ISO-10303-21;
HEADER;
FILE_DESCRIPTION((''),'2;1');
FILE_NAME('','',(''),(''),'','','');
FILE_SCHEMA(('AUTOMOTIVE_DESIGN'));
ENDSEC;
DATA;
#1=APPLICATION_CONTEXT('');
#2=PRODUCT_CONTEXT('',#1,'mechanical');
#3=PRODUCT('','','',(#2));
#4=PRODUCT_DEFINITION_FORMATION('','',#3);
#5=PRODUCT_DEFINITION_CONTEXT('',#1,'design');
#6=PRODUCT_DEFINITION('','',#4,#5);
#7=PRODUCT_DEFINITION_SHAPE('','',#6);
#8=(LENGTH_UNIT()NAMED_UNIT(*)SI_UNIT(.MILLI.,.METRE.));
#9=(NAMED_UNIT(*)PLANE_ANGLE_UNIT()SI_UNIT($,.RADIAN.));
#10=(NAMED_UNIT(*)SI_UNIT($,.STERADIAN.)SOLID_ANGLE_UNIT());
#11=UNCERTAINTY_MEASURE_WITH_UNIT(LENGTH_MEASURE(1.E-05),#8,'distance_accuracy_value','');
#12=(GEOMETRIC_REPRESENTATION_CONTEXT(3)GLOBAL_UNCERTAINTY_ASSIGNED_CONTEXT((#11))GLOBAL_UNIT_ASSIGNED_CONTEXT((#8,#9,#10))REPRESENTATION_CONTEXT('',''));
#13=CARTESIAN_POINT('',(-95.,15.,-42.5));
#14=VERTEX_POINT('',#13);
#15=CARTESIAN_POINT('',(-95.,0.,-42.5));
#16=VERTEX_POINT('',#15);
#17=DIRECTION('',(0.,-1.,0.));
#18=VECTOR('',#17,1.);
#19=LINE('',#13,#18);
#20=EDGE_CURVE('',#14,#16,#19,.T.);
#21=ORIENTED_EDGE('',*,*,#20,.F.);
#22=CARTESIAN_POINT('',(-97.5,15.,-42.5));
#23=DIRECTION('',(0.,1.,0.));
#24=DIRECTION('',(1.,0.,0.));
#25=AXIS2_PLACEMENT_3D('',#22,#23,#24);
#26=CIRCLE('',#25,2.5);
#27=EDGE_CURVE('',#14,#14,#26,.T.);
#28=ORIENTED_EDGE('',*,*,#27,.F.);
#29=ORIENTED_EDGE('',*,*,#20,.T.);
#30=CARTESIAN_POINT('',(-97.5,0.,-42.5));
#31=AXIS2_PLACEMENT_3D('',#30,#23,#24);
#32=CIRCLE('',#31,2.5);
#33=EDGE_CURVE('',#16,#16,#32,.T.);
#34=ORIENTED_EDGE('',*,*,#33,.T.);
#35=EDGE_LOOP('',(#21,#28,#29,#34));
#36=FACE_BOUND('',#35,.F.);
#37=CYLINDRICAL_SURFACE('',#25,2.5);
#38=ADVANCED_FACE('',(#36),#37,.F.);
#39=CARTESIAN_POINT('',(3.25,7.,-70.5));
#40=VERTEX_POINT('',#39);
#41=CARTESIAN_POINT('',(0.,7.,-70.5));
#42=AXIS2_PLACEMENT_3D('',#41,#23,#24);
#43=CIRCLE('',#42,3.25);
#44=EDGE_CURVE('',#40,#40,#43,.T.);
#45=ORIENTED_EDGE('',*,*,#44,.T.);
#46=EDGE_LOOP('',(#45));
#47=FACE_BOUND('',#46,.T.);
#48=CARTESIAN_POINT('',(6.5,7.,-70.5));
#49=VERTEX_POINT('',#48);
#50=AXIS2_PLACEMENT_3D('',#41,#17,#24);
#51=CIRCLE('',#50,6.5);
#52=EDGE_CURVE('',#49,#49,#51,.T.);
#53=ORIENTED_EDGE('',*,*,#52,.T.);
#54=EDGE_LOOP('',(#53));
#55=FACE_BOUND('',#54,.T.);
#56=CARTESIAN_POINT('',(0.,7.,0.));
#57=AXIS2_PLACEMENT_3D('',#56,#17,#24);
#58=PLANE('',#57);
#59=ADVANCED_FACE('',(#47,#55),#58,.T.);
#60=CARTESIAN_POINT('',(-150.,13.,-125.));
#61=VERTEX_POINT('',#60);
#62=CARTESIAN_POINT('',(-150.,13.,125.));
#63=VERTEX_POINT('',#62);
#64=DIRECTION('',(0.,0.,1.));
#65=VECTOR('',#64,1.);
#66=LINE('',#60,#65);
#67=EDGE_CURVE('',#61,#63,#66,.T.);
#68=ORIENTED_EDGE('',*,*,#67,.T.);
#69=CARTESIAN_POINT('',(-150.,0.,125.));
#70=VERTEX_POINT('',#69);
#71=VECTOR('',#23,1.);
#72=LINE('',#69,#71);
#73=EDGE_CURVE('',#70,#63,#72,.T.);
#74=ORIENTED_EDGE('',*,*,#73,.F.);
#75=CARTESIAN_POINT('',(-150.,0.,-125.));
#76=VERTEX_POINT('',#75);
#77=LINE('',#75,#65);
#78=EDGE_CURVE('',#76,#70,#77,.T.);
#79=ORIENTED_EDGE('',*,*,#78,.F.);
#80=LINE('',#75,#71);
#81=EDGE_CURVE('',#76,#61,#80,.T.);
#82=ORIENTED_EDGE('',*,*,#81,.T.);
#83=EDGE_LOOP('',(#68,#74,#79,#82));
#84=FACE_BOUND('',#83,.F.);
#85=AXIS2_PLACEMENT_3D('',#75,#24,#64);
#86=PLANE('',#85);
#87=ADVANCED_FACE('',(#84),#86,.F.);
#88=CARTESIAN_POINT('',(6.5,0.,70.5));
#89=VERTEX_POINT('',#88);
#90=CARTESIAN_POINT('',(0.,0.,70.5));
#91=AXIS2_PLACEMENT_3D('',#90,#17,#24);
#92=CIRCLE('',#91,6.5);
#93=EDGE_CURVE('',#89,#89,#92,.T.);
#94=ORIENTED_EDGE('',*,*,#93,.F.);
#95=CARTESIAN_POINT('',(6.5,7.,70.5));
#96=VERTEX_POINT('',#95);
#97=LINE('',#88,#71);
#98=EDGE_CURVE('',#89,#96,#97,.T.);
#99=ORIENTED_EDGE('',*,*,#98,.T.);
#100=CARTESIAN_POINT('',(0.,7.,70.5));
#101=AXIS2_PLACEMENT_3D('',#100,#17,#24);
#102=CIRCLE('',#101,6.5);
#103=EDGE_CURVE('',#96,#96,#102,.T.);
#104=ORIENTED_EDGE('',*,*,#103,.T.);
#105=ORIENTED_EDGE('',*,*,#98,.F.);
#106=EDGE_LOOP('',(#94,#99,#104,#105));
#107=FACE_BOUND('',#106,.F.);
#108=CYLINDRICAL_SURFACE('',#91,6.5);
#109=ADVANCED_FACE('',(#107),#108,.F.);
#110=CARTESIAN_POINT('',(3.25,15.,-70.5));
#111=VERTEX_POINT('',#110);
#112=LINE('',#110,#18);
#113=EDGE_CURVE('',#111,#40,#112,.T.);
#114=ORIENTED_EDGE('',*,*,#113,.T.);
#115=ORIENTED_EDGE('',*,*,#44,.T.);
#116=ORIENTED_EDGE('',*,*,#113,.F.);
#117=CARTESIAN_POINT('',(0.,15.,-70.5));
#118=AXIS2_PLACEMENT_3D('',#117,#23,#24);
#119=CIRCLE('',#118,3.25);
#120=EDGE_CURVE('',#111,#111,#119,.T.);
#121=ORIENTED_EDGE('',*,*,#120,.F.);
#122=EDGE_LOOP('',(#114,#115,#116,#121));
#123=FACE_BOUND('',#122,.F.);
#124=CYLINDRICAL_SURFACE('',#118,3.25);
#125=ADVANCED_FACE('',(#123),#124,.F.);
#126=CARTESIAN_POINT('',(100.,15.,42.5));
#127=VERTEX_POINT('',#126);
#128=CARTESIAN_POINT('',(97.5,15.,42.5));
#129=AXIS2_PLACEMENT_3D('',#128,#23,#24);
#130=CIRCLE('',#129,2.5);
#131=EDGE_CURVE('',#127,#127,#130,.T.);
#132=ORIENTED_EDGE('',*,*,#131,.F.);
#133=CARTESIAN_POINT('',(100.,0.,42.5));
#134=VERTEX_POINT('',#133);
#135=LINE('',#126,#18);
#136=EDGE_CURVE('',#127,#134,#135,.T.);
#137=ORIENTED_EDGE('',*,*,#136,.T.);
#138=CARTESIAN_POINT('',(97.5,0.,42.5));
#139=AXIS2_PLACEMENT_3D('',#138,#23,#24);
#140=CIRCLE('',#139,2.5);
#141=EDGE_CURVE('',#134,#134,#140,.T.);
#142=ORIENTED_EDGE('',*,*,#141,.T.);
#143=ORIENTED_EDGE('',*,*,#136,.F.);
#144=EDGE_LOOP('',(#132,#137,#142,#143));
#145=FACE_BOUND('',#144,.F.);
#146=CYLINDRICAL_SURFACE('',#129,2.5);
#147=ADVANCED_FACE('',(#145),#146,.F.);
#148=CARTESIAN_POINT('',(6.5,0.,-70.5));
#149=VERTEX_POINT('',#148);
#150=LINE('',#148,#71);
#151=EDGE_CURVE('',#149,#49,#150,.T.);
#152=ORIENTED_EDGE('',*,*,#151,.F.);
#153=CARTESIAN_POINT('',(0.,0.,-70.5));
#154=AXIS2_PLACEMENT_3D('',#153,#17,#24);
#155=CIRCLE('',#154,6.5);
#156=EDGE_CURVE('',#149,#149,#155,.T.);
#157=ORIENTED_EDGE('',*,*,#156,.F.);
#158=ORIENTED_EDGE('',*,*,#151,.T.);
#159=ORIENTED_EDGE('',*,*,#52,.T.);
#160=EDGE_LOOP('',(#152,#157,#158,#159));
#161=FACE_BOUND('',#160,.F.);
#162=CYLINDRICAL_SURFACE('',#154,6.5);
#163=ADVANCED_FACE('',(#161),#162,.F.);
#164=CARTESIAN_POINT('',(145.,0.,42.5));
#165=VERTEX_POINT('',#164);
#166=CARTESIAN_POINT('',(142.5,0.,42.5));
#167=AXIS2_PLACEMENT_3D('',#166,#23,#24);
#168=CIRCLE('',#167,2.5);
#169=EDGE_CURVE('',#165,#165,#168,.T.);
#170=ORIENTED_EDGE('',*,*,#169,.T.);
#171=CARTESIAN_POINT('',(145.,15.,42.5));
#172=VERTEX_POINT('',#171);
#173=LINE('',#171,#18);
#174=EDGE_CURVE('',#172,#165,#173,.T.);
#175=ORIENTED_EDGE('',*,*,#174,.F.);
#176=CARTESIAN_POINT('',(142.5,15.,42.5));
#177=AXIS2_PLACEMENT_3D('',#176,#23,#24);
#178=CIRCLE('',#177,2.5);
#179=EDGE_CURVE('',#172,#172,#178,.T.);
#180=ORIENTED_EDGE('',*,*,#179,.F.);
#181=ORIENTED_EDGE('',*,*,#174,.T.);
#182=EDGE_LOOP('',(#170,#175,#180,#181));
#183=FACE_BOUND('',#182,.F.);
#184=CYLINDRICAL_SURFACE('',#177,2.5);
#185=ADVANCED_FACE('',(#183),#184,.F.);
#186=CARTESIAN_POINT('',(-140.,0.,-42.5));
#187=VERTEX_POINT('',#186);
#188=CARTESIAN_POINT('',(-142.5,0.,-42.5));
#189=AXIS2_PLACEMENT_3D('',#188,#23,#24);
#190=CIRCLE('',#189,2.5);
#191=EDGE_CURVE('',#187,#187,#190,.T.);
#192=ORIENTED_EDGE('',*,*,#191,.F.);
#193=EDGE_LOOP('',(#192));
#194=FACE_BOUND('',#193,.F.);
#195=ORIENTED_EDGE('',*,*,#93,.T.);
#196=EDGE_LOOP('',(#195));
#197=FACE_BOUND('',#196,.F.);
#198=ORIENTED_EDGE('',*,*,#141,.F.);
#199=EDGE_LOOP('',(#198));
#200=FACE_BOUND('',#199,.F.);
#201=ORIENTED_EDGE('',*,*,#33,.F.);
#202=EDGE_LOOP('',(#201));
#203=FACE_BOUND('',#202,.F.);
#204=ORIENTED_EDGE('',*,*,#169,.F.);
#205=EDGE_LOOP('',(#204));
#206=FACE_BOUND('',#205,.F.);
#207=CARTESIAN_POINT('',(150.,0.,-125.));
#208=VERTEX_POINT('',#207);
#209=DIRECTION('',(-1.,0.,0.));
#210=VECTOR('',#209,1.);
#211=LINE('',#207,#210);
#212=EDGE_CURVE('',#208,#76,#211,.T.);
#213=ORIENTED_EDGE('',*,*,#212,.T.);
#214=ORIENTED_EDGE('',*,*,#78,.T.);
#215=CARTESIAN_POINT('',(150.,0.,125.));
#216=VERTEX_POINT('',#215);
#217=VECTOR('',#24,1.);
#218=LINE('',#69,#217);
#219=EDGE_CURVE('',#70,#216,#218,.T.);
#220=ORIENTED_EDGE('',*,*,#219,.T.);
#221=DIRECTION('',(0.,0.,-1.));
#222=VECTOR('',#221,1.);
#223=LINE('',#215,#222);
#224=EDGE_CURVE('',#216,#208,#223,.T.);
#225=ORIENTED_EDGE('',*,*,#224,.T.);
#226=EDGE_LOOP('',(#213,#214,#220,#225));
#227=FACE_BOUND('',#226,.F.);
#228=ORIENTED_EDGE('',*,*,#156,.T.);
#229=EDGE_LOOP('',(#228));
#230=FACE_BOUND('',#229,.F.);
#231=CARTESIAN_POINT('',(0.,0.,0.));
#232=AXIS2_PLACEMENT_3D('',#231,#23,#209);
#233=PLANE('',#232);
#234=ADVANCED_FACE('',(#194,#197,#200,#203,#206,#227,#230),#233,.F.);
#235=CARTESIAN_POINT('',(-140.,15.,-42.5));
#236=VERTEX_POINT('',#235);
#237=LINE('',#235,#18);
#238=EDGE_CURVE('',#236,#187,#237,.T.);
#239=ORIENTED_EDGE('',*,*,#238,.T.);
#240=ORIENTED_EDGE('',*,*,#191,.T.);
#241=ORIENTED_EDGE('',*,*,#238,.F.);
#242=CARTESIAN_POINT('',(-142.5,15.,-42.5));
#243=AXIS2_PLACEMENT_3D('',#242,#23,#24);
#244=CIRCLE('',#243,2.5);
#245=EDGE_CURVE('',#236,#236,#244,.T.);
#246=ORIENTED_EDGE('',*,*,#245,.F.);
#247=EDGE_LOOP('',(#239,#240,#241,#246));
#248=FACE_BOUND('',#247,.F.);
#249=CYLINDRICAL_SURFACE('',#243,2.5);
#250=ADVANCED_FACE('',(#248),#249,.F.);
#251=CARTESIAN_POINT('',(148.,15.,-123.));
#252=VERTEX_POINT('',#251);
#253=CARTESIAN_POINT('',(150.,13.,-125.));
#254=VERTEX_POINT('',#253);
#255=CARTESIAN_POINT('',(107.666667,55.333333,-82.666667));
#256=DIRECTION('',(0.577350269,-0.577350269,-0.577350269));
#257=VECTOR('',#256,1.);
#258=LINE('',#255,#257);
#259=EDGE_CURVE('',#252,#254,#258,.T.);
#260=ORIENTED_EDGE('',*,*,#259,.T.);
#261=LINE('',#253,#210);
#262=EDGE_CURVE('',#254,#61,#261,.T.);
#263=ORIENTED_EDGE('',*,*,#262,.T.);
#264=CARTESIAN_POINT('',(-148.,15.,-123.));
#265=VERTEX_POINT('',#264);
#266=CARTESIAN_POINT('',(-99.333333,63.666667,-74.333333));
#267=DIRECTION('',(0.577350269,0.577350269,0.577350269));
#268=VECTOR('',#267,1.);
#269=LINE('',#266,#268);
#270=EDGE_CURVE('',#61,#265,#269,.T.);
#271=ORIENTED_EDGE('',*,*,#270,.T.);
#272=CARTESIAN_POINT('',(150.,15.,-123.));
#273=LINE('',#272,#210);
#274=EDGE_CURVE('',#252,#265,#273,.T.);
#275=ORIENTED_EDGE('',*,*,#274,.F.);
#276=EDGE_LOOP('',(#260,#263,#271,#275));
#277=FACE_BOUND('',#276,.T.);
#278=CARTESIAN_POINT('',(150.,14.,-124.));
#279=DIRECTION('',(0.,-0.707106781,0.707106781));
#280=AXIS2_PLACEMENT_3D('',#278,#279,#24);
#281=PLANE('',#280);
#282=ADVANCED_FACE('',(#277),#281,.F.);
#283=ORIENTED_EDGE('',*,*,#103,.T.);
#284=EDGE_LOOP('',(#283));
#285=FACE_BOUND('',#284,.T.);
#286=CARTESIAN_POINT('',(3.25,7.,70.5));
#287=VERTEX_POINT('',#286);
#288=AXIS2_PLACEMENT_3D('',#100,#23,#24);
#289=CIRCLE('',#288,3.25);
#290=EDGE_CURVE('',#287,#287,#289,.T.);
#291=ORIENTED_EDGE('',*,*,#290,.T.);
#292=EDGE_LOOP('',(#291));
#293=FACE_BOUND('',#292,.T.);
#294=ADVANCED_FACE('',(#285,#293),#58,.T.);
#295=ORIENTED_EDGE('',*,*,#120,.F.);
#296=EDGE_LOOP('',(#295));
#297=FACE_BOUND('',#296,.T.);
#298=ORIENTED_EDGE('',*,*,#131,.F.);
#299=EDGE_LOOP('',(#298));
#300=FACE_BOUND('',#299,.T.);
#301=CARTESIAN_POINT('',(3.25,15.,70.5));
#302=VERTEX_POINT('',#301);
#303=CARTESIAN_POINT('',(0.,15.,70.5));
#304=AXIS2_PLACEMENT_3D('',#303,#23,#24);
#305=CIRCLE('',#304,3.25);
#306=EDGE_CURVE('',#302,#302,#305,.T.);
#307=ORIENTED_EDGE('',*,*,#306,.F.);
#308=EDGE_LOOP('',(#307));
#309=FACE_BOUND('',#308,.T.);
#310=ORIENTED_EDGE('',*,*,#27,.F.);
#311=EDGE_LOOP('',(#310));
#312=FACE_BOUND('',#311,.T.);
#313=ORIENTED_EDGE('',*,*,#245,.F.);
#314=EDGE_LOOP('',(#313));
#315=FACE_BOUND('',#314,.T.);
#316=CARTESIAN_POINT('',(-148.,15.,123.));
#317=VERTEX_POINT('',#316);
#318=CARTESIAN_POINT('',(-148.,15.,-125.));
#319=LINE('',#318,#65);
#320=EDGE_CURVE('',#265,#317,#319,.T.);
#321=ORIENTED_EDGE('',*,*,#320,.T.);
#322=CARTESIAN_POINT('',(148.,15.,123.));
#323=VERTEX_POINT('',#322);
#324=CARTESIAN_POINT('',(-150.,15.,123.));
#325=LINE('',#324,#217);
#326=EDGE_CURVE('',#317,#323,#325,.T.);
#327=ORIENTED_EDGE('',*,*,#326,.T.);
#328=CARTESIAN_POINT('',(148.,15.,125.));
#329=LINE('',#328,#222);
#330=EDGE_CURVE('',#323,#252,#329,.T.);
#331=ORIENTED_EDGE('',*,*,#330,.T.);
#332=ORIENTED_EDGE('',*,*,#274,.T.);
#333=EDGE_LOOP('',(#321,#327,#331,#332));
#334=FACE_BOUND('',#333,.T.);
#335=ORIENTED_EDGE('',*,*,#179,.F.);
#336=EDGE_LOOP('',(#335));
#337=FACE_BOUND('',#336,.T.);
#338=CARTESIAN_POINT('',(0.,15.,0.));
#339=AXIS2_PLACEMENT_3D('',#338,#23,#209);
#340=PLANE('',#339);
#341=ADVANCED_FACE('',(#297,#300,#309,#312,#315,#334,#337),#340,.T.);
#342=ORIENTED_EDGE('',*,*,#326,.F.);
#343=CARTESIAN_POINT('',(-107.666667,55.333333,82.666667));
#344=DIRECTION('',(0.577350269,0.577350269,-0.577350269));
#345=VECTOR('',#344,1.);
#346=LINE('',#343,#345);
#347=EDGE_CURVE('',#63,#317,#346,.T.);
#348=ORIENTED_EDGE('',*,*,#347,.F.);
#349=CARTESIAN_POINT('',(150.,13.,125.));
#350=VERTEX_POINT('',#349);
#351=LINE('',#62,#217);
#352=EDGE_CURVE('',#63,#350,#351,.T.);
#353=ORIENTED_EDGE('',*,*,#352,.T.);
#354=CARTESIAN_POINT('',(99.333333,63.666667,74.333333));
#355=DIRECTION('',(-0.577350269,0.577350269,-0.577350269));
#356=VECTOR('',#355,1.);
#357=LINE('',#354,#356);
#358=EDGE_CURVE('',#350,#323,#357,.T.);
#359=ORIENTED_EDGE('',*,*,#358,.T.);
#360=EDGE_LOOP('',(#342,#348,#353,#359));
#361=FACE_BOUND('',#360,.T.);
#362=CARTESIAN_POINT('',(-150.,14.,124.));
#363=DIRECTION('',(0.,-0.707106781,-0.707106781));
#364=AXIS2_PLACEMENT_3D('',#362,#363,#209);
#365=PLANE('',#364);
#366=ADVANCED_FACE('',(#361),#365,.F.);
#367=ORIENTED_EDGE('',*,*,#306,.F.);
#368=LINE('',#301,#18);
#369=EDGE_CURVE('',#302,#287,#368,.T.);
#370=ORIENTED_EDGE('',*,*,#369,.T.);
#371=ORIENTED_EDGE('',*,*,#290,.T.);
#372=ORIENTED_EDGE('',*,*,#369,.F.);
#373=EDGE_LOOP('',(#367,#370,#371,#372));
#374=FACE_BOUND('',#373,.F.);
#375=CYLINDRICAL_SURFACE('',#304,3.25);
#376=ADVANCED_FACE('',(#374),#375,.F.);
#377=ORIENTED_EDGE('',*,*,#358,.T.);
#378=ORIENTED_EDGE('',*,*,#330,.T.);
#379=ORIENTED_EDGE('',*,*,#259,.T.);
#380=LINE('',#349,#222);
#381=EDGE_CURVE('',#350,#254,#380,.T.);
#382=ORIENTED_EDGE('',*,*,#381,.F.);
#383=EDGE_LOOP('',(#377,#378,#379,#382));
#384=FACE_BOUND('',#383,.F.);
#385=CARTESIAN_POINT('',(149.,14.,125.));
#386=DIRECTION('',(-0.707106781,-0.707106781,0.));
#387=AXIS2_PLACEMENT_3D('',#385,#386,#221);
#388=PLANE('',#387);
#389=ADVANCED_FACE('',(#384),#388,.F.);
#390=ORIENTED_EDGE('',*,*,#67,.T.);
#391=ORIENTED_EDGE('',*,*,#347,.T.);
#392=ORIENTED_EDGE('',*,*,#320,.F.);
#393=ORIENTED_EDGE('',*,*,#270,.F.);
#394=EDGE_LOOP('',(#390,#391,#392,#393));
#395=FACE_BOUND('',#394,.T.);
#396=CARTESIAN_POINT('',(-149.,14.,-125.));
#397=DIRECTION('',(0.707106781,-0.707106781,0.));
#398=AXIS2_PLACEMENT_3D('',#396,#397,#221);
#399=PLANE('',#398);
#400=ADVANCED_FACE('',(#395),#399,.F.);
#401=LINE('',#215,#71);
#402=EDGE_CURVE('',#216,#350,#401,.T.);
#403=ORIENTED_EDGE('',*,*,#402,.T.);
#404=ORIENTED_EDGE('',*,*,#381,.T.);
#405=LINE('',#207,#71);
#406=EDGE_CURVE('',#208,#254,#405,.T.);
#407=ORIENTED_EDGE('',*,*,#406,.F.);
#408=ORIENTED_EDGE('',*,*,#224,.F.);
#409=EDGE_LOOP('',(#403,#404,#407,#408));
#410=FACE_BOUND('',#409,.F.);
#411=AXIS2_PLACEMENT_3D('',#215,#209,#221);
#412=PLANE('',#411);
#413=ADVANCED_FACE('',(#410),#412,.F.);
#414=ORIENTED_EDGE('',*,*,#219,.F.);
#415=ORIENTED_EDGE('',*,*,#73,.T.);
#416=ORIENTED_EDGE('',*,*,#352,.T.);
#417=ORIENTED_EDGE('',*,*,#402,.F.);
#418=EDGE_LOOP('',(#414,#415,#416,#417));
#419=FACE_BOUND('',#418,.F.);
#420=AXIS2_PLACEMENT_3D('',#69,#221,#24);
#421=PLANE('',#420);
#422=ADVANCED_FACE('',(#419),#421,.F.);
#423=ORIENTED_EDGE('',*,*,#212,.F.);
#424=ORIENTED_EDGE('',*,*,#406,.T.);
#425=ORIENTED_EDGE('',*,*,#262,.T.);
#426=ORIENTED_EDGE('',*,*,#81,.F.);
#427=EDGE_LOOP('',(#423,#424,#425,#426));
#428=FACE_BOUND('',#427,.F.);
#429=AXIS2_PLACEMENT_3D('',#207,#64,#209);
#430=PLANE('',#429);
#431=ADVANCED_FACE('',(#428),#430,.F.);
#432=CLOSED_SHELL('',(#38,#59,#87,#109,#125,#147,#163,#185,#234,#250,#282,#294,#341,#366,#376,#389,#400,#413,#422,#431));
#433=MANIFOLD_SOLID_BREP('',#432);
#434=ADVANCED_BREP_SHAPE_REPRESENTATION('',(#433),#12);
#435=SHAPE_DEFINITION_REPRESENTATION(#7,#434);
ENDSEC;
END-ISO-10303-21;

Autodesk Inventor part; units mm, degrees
ref_plane "YZ Plane" through (0, 0, 0) normal (1, 0, 0) x (0, 1, 0)
ref_plane "XZ Plane" through (0, 0, 0) normal (0, 1, 0) x (-1, 0, 0)
ref_plane "XY Plane" through (0, 0, 0) normal (0, 0, 1) x (1, 0, 0)
sketch "Skizze2" plane through (0, 0, 0) normal (0, 1, 0) x (-1, 0, 0)
  line L0 (150, 125) -> (-150, 125)
  line L1 (-150, 125) -> (-150, -125)
  line L2 (-150, -125) -> (150, -125)
  line L3 (150, -125) -> (150, 125)
  point P0 (0, 0)
  dimension "d0" = 300
  dimension "d1" = 250
  dimension "d6" = 125
  dimension "d7" = 150
extrude "Extrusion1" add sketch "Skizze2" along normal blind 15
sketch "Skizze3" plane through (0, 15, 0) normal (0, 1, 0) x (1, 0, 0)
  circle A0 centre (0, -70.5) radius 3.25
  circle A1 centre (0, 70.5) radius 3.25
  point P0 (0, 0)
  dimension "d8" = 6.5
  dimension "d9" = 6.5
  dimension "d16" = 70.5
  dimension "d17" = 70.5
extrude "Extrusion2" cut sketch "Skizze3" against normal blind 15
sketch "Skizze4" plane through (0, 0, 0) normal (0, -1, 0) x (1, 0, 0)
  circle A0 centre (0, 70.5) radius 6.5
  circle A1 centre (0, -70.5) radius 6.5
  point P0 (0, 0)
  dimension "d12" = 13
  dimension "d13" = 13
  dimension "d18" = 70.5
  dimension "d19" = 70.5
extrude "Extrusion3" cut sketch "Skizze4" against normal blind 7
chamfer "Fase1" distance 2 angle 45 4 edges at (0, 15, 125) (150, 15, 0) (0, 15, -125) (-150, 15, 0)
sketch "Skizze5" plane through (0, 15, 0) normal (0, 1, 0) x (1, 0, 0)
  circle A0 centre (142.5, -42.5) radius 2.5
  circle A1 centre (97.5, -42.5) radius 2.5
  circle A2 centre (-142.5, 42.5) radius 2.5
  circle A3 centre (-97.5, 42.5) radius 2.5
  point P0 (0, 0)
  dimension "d23" = 5
  dimension "d24" = 5
  dimension "d25" = 5
  dimension "d26" = 5
extrude "Extrusion4" cut sketch "Skizze5" against normal blind 20
thread "Gewinde1" size "M5x0.8" class "6H" standard "ANSI Metric M Profile" full length
thread "Gewinde2" size "M5x0.8" class "6H" standard "ANSI Metric M Profile" full length
thread "Gewinde3" size "M5x0.8" class "6H" standard "ANSI Metric M Profile" full length
thread "Gewinde4" size "M5x0.8" class "6H" standard "ANSI Metric M Profile" full length
properties part number "Bodenplatte"
